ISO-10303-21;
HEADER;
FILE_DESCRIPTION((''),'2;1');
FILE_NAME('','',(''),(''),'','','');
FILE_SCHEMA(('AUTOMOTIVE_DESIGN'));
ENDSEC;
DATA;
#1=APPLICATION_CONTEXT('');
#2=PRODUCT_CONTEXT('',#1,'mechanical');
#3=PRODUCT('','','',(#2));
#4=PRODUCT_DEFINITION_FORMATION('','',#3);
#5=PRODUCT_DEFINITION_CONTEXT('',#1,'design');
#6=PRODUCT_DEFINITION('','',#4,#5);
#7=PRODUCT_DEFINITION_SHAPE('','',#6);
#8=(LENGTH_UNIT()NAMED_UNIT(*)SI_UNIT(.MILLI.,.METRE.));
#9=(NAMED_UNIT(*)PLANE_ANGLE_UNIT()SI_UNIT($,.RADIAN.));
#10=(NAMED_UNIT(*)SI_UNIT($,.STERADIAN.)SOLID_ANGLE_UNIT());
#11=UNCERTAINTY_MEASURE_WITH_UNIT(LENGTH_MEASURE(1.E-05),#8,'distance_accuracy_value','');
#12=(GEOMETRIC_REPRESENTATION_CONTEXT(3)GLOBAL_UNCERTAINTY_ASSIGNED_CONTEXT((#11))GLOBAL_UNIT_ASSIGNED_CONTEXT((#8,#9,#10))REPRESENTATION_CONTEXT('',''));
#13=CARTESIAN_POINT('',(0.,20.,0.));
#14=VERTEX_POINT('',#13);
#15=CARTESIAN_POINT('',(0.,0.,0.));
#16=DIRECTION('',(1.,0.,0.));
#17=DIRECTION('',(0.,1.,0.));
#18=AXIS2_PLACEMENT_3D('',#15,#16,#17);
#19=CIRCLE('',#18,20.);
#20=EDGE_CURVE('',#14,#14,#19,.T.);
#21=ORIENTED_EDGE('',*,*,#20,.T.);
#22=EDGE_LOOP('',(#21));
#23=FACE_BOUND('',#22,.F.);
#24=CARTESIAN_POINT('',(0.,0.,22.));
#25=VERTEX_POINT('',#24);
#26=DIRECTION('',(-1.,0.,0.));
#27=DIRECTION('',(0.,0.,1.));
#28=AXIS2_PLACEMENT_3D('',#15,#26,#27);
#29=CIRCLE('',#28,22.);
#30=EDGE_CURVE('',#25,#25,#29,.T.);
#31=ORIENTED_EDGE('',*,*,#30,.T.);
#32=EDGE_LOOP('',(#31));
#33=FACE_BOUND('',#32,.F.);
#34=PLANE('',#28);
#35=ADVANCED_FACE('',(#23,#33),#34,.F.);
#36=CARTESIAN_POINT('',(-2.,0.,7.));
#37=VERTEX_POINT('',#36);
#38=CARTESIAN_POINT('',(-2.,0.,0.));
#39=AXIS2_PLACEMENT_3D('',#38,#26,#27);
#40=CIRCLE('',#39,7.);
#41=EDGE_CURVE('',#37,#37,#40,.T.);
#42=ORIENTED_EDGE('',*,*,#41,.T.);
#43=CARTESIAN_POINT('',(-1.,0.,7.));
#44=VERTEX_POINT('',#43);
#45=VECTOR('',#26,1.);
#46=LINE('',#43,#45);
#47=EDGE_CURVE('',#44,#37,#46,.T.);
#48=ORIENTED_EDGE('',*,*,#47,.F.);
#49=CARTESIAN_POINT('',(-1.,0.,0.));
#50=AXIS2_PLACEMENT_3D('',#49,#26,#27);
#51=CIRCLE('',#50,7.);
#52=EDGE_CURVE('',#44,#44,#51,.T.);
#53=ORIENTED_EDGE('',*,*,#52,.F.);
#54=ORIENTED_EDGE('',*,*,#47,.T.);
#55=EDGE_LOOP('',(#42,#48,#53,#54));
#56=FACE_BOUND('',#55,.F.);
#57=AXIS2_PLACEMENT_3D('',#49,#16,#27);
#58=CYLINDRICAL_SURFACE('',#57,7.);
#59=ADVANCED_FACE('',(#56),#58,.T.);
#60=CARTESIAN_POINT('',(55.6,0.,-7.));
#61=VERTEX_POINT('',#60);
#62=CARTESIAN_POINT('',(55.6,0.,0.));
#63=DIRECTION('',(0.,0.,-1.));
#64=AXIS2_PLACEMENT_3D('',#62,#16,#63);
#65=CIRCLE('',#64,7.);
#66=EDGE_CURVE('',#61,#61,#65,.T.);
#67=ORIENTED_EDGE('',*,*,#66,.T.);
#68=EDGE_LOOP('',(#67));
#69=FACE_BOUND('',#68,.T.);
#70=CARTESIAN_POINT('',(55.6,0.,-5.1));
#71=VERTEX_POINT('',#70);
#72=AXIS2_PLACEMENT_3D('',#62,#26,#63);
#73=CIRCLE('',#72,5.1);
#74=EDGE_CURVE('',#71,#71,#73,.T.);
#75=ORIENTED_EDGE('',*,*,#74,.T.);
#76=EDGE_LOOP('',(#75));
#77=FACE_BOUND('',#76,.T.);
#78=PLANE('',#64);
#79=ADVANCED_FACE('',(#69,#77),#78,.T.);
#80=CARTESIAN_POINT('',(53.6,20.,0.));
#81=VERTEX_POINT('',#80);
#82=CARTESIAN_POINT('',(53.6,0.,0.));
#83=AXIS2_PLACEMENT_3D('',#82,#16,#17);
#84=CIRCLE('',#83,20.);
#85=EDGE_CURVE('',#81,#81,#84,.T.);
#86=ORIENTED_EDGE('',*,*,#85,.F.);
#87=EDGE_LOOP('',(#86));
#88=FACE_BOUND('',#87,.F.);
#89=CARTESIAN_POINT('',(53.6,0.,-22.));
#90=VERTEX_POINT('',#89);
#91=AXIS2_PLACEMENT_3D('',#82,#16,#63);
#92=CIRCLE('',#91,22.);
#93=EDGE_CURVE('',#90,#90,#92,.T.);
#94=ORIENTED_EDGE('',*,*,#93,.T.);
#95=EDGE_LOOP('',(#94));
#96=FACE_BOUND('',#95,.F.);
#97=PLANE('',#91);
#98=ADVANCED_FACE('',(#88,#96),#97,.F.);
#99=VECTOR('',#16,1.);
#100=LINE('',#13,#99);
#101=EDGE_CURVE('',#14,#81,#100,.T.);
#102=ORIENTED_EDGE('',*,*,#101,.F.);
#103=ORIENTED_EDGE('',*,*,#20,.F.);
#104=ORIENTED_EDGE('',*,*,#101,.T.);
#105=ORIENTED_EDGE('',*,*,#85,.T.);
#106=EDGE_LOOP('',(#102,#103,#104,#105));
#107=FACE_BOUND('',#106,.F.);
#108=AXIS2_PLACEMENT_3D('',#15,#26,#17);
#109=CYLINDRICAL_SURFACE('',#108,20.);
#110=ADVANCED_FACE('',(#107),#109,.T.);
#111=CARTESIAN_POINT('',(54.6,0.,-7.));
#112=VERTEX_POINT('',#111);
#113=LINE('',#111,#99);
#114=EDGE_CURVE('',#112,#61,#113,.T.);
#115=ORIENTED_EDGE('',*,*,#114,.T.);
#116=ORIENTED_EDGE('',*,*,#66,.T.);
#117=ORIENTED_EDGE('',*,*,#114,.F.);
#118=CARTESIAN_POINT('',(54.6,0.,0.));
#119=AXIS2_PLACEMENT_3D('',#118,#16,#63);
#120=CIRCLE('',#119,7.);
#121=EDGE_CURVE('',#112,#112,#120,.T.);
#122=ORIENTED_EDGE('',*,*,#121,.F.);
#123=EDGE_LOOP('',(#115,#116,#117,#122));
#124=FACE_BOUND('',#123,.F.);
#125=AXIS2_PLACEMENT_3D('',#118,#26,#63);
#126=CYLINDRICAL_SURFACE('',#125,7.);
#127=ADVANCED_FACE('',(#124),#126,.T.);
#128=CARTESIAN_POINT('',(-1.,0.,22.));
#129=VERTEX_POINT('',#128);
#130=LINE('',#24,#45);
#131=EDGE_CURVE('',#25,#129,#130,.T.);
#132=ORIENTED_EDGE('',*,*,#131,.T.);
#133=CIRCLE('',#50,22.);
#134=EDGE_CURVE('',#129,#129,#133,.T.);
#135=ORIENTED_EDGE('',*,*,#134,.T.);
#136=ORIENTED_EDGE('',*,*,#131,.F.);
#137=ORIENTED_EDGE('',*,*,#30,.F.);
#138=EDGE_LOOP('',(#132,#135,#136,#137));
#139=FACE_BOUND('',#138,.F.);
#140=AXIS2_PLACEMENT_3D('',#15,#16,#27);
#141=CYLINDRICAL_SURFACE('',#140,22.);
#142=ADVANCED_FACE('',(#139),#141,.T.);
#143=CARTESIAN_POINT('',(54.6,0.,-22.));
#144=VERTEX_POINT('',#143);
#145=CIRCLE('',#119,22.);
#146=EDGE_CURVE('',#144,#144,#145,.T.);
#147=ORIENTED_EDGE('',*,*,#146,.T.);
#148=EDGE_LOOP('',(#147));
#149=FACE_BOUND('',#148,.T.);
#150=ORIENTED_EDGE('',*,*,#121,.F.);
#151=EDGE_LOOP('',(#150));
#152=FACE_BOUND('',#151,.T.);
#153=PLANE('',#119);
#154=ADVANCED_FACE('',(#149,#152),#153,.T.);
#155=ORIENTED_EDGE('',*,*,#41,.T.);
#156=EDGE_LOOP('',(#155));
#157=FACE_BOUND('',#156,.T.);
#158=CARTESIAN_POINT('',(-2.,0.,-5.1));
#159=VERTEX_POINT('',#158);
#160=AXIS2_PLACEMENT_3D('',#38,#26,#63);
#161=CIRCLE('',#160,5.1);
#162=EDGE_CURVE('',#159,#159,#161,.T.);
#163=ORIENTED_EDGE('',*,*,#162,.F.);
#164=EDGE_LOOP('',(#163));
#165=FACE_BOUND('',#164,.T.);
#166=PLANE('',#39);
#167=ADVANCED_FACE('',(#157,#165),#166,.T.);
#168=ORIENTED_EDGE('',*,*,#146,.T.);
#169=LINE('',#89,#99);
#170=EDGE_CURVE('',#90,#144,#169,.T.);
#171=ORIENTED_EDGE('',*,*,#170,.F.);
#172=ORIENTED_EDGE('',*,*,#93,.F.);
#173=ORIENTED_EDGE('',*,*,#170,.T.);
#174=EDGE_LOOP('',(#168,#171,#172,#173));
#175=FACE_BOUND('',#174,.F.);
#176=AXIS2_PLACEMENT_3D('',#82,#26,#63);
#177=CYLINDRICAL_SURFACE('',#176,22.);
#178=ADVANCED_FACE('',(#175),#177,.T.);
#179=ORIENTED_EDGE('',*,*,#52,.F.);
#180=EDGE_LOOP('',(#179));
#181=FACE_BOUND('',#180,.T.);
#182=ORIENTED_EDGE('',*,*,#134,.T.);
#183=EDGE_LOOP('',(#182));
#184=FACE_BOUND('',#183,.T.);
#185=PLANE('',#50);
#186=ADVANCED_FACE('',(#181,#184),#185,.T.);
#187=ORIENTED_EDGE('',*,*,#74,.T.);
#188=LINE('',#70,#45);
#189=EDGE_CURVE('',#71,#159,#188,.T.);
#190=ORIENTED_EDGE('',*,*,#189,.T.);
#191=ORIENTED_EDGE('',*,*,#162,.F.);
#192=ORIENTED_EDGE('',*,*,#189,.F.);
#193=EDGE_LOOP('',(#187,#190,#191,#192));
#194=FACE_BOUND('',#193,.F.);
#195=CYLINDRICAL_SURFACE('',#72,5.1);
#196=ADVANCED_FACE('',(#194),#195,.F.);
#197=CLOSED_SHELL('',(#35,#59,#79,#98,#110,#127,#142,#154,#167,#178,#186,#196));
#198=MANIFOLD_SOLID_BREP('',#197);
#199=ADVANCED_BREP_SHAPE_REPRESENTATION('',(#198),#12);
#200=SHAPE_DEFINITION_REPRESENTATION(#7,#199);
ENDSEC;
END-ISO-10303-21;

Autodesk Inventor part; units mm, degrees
ref_plane "YZ Plane" through (0, 0, 0) normal (1, 0, 0) x (0, 1, 0)
ref_plane "XZ Plane" through (0, 0, 0) normal (0, 1, 0) x (-1, 0, 0)
ref_plane "XY Plane" through (0, 0, 0) normal (0, 0, 1) x (1, 0, 0)
sketch "スケッチ1" plane through (0, 0, 0) normal (1, 0, 0) x (0, 1, 0)
  circle A0 centre (0, 0) radius 20
  dimension "d0" = 40
extrude "押し出し1" add sketch "スケッチ1" along normal blind 53.6
sketch "スケッチ2" plane through (53.6, 0, 0) normal (1, 0, 0) x (0, 0, -1)
  circle A0 centre (0, 0) radius 22
  dimension "d3" = 44
extrude "押し出し2" add sketch "スケッチ2" along normal blind 1
sketch "スケッチ3" plane through (54.6, 0, 0) normal (1, 0, 0) x (0, 0, -1)
  circle A0 centre (0, 0) radius 7
  dimension "d6" = 14
extrude "押し出し3" add sketch "スケッチ3" along normal blind 1
sketch "スケッチ4" plane through (0, 0, 0) normal (-1, 0, 0) x (0, 0, 1)
  circle A0 centre (0, 0) radius 22
  dimension "d9" = 44
extrude "押し出し4" add sketch "スケッチ4" along normal blind 1
sketch "スケッチ5" plane through (-1, 0, 0) normal (-1, 0, 0) x (0, 0, 1)
  circle A0 centre (0, 0) radius 7
  dimension "d12" = 14
extrude "押し出し5" add sketch "スケッチ5" along normal blind 1
sketch "スケッチ6" plane through (55.6, 0, 0) normal (1, 0, 0) x (0, 0, -1)
  circle A0 centre (0, 0) radius 7 projected
hole "穴1" at (55.6, 0, 0) direction (-1, 0, 0) diameter 10.2 end through all
properties part number "CLS_typeC_31.4N"
